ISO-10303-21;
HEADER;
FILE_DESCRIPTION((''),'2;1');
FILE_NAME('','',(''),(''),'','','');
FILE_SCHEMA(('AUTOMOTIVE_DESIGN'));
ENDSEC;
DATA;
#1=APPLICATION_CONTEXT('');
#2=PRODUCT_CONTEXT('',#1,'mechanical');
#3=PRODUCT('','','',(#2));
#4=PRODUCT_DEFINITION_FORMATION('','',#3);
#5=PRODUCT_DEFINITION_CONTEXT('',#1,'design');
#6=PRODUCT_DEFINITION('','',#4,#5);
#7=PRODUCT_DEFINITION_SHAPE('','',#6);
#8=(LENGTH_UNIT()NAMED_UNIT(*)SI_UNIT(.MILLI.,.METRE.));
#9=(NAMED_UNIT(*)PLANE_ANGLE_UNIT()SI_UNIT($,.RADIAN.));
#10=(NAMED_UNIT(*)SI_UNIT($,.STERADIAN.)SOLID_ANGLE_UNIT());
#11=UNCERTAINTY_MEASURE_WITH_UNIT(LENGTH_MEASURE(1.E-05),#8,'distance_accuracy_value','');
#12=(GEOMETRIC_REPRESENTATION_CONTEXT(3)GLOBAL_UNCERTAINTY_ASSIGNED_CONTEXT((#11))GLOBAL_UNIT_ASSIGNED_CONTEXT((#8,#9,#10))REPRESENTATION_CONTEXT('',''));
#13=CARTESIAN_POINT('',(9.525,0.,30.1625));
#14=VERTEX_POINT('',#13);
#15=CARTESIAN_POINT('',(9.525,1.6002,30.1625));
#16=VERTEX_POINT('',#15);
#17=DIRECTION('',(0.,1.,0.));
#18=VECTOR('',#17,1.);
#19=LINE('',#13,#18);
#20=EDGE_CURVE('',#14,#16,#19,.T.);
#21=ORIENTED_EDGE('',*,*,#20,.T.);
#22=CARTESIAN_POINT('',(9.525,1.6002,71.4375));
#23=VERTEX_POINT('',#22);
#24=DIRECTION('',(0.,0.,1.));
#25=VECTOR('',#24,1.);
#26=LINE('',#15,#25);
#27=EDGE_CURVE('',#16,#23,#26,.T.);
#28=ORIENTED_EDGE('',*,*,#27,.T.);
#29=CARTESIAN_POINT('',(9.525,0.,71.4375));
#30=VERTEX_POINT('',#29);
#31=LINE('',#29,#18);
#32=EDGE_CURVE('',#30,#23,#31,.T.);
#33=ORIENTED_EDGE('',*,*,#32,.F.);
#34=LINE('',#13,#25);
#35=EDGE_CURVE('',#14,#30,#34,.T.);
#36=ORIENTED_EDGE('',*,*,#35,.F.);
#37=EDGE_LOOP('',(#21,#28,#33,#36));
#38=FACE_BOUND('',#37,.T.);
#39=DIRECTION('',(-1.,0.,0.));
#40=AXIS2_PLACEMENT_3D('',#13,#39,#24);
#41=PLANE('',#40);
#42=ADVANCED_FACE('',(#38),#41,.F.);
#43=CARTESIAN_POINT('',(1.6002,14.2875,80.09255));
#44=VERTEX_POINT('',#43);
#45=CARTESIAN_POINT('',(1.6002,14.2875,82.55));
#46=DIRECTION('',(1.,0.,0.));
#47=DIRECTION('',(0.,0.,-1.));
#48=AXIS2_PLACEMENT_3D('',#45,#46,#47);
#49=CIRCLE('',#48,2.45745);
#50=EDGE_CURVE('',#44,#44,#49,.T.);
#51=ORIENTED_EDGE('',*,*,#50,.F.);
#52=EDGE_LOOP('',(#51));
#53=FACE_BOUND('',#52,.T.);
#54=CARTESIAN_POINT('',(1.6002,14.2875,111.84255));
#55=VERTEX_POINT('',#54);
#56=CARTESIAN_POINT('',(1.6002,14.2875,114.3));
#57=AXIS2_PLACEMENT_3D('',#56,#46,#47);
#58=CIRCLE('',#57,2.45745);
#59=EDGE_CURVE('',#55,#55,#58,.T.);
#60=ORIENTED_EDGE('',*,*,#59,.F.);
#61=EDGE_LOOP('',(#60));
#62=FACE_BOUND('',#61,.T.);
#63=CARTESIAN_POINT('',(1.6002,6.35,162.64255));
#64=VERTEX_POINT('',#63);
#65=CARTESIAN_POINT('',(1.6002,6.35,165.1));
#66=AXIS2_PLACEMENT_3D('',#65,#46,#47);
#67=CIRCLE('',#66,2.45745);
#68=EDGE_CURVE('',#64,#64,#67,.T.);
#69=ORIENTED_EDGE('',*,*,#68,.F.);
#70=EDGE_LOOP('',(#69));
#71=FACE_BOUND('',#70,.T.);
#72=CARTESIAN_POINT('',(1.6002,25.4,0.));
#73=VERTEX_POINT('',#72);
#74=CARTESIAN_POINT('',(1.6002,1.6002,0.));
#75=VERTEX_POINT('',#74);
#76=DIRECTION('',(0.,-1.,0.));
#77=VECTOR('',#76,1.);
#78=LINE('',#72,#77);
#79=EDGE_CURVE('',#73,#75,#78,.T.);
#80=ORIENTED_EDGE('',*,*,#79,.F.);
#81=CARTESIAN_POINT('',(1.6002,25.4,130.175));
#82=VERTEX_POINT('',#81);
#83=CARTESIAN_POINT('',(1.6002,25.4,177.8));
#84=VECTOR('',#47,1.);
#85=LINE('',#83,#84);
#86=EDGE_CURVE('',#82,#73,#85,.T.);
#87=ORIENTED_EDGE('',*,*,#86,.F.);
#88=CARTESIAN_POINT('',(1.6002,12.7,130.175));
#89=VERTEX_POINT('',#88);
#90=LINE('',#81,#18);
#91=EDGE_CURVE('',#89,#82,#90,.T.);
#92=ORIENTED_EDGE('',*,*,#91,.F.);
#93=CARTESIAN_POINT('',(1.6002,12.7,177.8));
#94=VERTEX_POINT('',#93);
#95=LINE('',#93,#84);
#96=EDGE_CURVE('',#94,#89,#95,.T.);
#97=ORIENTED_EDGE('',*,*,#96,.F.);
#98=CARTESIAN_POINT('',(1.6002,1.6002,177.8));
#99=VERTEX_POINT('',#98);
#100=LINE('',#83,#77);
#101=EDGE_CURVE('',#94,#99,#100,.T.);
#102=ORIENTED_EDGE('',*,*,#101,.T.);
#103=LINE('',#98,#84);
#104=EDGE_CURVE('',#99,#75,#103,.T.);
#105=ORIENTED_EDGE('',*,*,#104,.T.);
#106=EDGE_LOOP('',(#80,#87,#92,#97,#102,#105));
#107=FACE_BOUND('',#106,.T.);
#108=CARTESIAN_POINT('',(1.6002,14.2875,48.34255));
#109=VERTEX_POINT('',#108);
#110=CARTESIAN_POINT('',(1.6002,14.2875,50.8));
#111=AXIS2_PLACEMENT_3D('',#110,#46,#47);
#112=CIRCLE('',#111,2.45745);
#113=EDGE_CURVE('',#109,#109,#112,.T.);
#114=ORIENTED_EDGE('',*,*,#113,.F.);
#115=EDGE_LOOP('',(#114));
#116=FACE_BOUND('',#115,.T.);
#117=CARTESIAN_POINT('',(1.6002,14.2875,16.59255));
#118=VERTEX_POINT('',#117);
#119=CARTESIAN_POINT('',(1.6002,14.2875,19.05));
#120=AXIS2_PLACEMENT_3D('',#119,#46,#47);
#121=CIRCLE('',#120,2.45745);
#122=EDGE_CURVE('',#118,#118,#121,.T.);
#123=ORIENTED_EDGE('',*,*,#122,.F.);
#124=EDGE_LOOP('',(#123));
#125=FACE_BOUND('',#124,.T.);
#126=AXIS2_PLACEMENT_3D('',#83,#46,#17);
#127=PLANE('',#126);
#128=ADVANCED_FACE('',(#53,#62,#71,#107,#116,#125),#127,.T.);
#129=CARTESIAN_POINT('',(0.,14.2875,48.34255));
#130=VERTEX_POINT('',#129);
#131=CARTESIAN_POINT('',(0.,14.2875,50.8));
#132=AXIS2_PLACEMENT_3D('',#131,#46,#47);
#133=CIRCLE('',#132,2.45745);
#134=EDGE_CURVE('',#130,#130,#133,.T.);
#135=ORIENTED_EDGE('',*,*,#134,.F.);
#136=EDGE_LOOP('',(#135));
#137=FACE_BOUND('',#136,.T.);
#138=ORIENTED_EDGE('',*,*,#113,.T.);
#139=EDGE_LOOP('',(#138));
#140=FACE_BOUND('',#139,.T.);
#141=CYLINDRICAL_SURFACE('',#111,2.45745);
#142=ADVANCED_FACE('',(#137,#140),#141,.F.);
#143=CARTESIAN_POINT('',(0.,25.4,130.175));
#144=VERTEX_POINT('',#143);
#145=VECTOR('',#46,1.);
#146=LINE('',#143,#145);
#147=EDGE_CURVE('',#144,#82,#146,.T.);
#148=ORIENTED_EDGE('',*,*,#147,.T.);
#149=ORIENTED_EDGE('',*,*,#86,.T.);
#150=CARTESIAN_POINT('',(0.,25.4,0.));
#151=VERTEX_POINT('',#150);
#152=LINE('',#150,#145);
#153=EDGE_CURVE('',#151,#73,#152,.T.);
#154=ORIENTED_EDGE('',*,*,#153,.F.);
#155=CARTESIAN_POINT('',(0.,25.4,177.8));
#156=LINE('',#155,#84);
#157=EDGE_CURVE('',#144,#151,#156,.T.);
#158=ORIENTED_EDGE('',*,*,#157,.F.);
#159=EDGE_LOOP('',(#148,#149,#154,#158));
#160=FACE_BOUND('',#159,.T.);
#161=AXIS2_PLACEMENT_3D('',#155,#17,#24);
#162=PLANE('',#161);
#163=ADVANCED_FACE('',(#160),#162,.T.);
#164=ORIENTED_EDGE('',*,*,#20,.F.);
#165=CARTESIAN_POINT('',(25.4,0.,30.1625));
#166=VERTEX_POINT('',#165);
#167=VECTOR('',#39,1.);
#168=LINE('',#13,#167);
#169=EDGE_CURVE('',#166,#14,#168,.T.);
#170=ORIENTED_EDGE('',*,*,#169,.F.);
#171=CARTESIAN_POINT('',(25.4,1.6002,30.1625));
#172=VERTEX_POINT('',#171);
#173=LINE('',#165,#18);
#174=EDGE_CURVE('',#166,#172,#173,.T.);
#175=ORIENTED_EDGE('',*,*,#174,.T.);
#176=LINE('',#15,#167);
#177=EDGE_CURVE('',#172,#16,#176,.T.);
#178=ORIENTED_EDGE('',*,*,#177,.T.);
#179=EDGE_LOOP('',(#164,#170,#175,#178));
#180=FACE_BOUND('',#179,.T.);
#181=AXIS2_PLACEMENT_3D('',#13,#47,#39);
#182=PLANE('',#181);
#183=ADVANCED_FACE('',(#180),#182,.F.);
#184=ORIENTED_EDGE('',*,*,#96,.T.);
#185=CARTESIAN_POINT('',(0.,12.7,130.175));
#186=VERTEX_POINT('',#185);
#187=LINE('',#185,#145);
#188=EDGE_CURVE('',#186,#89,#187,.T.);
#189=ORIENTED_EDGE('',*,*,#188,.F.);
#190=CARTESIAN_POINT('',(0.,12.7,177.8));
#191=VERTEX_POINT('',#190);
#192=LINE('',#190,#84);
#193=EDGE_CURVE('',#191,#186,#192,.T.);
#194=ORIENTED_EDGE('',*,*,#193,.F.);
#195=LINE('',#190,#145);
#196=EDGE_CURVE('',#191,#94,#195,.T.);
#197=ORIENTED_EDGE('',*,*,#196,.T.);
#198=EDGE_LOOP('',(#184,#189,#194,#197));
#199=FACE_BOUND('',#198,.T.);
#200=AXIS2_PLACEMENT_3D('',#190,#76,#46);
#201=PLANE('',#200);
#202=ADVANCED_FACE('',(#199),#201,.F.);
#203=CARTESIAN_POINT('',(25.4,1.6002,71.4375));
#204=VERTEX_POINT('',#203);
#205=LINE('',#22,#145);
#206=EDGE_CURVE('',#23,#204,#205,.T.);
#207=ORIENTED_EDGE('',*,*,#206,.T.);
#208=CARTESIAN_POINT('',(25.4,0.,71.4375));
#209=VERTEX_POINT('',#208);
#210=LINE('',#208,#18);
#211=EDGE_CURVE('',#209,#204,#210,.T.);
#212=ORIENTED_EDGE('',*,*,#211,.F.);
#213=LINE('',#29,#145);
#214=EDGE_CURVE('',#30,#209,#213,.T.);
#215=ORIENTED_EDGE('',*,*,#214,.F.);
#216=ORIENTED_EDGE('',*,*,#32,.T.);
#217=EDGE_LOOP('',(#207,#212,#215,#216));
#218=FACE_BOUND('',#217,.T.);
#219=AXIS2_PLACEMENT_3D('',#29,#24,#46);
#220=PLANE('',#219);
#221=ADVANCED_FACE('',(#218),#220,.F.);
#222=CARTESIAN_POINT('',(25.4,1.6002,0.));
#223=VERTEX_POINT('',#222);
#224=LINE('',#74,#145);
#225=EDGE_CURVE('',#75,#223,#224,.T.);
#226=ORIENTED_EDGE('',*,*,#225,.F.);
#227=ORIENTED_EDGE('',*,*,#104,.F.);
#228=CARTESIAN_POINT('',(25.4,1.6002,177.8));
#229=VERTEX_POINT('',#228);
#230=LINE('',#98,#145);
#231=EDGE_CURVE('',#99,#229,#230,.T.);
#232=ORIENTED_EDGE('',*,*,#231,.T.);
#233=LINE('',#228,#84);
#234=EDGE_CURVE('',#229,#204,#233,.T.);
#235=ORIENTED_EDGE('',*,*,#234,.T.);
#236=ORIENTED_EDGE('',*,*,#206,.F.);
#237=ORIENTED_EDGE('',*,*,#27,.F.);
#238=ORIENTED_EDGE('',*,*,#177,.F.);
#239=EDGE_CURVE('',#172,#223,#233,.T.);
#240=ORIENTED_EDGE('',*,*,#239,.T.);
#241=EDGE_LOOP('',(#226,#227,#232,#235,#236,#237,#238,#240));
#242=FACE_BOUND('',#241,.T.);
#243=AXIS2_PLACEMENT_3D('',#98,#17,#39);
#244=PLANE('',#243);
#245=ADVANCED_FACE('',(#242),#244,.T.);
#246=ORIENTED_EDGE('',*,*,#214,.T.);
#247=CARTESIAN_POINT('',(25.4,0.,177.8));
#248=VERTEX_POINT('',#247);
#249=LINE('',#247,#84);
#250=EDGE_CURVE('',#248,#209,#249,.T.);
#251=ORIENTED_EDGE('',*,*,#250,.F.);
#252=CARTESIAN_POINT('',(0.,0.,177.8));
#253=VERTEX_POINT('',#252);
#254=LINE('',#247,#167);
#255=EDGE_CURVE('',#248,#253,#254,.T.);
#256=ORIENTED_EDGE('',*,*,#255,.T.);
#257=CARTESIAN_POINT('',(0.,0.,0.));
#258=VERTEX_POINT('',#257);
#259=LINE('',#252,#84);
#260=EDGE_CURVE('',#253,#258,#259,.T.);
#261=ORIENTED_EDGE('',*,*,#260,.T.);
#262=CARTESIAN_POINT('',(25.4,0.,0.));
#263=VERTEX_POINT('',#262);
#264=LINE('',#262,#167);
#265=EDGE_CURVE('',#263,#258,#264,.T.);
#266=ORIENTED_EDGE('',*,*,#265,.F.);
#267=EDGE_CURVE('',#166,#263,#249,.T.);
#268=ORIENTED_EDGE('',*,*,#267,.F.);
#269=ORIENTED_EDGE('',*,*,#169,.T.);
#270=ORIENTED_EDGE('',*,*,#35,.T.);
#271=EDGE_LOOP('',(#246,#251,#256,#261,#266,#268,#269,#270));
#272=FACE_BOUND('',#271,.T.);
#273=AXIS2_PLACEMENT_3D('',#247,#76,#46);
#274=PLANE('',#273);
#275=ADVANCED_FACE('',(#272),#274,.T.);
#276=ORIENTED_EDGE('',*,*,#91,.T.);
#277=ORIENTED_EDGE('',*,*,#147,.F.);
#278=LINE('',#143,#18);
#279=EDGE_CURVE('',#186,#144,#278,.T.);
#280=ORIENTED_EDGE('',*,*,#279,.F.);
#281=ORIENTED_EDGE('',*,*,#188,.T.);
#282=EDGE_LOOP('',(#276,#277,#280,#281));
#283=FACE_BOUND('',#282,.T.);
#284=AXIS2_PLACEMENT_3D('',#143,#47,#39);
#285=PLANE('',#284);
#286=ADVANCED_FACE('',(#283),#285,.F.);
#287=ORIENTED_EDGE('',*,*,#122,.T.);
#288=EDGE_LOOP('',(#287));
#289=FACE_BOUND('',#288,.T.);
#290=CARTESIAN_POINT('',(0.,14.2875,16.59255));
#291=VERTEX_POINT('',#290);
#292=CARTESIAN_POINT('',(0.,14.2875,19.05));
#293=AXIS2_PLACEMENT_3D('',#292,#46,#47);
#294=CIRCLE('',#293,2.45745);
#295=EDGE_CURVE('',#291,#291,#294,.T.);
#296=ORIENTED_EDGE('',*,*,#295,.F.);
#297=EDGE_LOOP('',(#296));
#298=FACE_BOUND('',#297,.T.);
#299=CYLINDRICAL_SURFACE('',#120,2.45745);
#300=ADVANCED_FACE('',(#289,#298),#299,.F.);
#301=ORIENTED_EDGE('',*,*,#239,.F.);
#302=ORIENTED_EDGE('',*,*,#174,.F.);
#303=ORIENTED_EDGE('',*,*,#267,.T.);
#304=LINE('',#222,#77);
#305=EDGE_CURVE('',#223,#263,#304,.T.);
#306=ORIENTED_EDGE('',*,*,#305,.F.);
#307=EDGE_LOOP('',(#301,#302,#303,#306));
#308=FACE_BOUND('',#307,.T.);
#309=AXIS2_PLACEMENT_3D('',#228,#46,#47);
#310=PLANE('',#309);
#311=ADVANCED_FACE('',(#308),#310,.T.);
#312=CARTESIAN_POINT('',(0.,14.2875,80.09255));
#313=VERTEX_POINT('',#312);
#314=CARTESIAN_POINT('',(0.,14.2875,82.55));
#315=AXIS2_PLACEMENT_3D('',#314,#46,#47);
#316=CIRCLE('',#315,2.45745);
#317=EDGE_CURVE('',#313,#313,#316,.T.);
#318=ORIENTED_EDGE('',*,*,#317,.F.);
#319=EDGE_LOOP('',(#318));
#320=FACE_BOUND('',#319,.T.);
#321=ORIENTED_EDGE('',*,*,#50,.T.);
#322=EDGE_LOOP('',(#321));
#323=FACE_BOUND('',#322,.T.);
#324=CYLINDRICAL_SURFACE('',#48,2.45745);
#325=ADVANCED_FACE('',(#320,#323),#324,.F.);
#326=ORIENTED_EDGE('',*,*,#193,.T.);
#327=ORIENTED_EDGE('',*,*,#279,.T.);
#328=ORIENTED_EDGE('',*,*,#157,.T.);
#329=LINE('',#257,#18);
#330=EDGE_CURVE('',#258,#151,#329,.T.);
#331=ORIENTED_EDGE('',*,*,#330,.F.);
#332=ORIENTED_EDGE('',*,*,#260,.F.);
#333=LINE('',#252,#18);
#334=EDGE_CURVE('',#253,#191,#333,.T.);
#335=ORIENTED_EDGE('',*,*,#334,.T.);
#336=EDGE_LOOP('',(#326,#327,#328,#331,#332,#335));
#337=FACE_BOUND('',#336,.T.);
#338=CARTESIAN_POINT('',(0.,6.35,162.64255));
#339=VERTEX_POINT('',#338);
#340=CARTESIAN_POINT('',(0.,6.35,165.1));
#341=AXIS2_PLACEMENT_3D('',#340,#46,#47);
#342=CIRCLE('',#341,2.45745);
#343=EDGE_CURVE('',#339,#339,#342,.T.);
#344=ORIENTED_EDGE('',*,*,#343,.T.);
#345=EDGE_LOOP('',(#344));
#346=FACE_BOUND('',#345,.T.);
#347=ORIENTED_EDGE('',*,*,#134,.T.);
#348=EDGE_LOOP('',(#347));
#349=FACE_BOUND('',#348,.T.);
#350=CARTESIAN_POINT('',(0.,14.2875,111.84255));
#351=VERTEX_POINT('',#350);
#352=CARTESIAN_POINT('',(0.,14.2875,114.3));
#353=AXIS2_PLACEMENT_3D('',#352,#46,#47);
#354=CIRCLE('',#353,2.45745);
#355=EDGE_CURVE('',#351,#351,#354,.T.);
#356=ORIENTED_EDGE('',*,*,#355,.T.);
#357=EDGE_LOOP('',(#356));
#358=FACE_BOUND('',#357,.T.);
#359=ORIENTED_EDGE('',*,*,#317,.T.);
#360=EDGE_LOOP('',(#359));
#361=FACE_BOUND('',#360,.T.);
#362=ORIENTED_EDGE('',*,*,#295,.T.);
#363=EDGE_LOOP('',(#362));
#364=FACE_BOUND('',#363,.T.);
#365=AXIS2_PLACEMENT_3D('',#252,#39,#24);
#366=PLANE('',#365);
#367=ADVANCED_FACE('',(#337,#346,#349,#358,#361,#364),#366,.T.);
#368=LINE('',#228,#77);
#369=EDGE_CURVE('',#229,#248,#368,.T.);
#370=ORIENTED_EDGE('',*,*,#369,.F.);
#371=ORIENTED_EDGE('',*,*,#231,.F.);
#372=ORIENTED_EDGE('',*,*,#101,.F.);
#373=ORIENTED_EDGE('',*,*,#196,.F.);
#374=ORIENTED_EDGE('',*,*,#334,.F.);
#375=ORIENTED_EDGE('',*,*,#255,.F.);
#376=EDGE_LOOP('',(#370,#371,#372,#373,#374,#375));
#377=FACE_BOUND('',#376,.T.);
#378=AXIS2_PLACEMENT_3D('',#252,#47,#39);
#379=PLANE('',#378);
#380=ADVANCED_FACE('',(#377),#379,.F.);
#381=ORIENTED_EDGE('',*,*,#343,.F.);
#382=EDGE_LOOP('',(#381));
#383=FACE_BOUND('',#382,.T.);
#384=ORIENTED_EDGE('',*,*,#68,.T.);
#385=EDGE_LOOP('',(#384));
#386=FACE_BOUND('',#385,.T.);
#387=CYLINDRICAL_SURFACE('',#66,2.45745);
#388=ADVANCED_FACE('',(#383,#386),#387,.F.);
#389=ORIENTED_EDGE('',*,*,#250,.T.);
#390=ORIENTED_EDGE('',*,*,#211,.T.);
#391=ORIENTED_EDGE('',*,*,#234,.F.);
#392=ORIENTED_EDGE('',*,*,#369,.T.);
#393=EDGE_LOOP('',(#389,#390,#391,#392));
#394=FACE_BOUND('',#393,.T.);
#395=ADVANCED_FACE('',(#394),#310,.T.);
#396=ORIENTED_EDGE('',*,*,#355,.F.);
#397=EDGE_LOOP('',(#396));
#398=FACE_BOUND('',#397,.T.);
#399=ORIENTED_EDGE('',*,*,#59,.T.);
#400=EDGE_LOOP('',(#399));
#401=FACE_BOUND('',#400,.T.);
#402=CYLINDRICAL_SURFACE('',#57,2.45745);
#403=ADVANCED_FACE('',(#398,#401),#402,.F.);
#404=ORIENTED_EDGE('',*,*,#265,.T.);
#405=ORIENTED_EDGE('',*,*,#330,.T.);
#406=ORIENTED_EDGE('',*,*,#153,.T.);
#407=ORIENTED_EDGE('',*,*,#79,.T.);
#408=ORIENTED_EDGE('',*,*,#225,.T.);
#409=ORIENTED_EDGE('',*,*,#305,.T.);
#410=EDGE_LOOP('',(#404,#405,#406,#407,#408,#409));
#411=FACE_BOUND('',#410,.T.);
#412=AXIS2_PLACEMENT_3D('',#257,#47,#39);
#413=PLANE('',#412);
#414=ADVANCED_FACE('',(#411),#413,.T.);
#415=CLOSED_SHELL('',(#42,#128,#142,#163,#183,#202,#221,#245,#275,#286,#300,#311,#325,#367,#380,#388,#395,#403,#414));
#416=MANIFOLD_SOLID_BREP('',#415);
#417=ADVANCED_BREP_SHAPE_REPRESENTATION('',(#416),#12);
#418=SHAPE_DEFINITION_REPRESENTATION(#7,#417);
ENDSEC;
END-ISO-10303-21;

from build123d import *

# Parameters (mm, degrees)
BOSS_EXTRUDE1_DEPTH          = 177.8
F_10_0_1935_DIAMETER_HOLE1_D = 4.9149
SKETCH4_W                    = 15.875
SKETCH4_H                    = 41.275
CUT_EXTRUDE1_DEPTH           = 2.6002
SKETCH5_W                    = 47.625
SKETCH5_H                    = 12.7
CUT_EXTRUDE2_DEPTH           = 2.6002
F_10_0_1935_DIAMETER_HOLE2_D = 4.9149


with BuildPart() as part:
    # Sketch1 → Boss-Extrude1 (new body)
    with BuildSketch(Plane.XY):
        Polygon((0, 0), (0, 25.4), (1.6002, 25.4), (1.6002, 1.6002), (25.4, 1.6002), (25.4, 0), align=None)
    extrude(amount=BOSS_EXTRUDE1_DEPTH)

    # #10 (0.1935) Diameter Hole1 (through all)
    with Locations(Plane(origin=(1.6002, 0, 0), x_dir=(0, 0, -1), z_dir=(1, 0, 0))):
        with Locations((-82.55, 14.2875), (-50.8, 14.2875), (-19.05, 14.2875), (-114.3, 14.2875)):
            Hole(F_10_0_1935_DIAMETER_HOLE1_D / 2)

    # Sketch4 → Cut-Extrude1 (cut, through all)
    with BuildSketch(Plane(origin=(0, 1.6002, 0), x_dir=(1, 0, 0), z_dir=(0, 1, 0))):
        with Locations((17.4625, -50.8)):
            Rectangle(SKETCH4_W, SKETCH4_H)
    extrude(amount=-CUT_EXTRUDE1_DEPTH, mode=Mode.SUBTRACT)

    # Sketch5 → Cut-Extrude2 (cut, through all)
    with BuildSketch(Plane(origin=(1.6002, 0, 0), x_dir=(0, 0, -1), z_dir=(1, 0, 0))):
        with Locations((-153.9875, 19.05)):
            Rectangle(SKETCH5_W, SKETCH5_H)
    extrude(amount=-CUT_EXTRUDE2_DEPTH, mode=Mode.SUBTRACT)

    # #10 (0.1935) Diameter Hole2 (through all)
    with Locations(Plane(origin=(1.6002, 0, 0), x_dir=(0, 0, -1), z_dir=(1, 0, 0))):
        with Locations((-165.1, 6.35)):
            Hole(F_10_0_1935_DIAMETER_HOLE2_D / 2)


solid = part.part
